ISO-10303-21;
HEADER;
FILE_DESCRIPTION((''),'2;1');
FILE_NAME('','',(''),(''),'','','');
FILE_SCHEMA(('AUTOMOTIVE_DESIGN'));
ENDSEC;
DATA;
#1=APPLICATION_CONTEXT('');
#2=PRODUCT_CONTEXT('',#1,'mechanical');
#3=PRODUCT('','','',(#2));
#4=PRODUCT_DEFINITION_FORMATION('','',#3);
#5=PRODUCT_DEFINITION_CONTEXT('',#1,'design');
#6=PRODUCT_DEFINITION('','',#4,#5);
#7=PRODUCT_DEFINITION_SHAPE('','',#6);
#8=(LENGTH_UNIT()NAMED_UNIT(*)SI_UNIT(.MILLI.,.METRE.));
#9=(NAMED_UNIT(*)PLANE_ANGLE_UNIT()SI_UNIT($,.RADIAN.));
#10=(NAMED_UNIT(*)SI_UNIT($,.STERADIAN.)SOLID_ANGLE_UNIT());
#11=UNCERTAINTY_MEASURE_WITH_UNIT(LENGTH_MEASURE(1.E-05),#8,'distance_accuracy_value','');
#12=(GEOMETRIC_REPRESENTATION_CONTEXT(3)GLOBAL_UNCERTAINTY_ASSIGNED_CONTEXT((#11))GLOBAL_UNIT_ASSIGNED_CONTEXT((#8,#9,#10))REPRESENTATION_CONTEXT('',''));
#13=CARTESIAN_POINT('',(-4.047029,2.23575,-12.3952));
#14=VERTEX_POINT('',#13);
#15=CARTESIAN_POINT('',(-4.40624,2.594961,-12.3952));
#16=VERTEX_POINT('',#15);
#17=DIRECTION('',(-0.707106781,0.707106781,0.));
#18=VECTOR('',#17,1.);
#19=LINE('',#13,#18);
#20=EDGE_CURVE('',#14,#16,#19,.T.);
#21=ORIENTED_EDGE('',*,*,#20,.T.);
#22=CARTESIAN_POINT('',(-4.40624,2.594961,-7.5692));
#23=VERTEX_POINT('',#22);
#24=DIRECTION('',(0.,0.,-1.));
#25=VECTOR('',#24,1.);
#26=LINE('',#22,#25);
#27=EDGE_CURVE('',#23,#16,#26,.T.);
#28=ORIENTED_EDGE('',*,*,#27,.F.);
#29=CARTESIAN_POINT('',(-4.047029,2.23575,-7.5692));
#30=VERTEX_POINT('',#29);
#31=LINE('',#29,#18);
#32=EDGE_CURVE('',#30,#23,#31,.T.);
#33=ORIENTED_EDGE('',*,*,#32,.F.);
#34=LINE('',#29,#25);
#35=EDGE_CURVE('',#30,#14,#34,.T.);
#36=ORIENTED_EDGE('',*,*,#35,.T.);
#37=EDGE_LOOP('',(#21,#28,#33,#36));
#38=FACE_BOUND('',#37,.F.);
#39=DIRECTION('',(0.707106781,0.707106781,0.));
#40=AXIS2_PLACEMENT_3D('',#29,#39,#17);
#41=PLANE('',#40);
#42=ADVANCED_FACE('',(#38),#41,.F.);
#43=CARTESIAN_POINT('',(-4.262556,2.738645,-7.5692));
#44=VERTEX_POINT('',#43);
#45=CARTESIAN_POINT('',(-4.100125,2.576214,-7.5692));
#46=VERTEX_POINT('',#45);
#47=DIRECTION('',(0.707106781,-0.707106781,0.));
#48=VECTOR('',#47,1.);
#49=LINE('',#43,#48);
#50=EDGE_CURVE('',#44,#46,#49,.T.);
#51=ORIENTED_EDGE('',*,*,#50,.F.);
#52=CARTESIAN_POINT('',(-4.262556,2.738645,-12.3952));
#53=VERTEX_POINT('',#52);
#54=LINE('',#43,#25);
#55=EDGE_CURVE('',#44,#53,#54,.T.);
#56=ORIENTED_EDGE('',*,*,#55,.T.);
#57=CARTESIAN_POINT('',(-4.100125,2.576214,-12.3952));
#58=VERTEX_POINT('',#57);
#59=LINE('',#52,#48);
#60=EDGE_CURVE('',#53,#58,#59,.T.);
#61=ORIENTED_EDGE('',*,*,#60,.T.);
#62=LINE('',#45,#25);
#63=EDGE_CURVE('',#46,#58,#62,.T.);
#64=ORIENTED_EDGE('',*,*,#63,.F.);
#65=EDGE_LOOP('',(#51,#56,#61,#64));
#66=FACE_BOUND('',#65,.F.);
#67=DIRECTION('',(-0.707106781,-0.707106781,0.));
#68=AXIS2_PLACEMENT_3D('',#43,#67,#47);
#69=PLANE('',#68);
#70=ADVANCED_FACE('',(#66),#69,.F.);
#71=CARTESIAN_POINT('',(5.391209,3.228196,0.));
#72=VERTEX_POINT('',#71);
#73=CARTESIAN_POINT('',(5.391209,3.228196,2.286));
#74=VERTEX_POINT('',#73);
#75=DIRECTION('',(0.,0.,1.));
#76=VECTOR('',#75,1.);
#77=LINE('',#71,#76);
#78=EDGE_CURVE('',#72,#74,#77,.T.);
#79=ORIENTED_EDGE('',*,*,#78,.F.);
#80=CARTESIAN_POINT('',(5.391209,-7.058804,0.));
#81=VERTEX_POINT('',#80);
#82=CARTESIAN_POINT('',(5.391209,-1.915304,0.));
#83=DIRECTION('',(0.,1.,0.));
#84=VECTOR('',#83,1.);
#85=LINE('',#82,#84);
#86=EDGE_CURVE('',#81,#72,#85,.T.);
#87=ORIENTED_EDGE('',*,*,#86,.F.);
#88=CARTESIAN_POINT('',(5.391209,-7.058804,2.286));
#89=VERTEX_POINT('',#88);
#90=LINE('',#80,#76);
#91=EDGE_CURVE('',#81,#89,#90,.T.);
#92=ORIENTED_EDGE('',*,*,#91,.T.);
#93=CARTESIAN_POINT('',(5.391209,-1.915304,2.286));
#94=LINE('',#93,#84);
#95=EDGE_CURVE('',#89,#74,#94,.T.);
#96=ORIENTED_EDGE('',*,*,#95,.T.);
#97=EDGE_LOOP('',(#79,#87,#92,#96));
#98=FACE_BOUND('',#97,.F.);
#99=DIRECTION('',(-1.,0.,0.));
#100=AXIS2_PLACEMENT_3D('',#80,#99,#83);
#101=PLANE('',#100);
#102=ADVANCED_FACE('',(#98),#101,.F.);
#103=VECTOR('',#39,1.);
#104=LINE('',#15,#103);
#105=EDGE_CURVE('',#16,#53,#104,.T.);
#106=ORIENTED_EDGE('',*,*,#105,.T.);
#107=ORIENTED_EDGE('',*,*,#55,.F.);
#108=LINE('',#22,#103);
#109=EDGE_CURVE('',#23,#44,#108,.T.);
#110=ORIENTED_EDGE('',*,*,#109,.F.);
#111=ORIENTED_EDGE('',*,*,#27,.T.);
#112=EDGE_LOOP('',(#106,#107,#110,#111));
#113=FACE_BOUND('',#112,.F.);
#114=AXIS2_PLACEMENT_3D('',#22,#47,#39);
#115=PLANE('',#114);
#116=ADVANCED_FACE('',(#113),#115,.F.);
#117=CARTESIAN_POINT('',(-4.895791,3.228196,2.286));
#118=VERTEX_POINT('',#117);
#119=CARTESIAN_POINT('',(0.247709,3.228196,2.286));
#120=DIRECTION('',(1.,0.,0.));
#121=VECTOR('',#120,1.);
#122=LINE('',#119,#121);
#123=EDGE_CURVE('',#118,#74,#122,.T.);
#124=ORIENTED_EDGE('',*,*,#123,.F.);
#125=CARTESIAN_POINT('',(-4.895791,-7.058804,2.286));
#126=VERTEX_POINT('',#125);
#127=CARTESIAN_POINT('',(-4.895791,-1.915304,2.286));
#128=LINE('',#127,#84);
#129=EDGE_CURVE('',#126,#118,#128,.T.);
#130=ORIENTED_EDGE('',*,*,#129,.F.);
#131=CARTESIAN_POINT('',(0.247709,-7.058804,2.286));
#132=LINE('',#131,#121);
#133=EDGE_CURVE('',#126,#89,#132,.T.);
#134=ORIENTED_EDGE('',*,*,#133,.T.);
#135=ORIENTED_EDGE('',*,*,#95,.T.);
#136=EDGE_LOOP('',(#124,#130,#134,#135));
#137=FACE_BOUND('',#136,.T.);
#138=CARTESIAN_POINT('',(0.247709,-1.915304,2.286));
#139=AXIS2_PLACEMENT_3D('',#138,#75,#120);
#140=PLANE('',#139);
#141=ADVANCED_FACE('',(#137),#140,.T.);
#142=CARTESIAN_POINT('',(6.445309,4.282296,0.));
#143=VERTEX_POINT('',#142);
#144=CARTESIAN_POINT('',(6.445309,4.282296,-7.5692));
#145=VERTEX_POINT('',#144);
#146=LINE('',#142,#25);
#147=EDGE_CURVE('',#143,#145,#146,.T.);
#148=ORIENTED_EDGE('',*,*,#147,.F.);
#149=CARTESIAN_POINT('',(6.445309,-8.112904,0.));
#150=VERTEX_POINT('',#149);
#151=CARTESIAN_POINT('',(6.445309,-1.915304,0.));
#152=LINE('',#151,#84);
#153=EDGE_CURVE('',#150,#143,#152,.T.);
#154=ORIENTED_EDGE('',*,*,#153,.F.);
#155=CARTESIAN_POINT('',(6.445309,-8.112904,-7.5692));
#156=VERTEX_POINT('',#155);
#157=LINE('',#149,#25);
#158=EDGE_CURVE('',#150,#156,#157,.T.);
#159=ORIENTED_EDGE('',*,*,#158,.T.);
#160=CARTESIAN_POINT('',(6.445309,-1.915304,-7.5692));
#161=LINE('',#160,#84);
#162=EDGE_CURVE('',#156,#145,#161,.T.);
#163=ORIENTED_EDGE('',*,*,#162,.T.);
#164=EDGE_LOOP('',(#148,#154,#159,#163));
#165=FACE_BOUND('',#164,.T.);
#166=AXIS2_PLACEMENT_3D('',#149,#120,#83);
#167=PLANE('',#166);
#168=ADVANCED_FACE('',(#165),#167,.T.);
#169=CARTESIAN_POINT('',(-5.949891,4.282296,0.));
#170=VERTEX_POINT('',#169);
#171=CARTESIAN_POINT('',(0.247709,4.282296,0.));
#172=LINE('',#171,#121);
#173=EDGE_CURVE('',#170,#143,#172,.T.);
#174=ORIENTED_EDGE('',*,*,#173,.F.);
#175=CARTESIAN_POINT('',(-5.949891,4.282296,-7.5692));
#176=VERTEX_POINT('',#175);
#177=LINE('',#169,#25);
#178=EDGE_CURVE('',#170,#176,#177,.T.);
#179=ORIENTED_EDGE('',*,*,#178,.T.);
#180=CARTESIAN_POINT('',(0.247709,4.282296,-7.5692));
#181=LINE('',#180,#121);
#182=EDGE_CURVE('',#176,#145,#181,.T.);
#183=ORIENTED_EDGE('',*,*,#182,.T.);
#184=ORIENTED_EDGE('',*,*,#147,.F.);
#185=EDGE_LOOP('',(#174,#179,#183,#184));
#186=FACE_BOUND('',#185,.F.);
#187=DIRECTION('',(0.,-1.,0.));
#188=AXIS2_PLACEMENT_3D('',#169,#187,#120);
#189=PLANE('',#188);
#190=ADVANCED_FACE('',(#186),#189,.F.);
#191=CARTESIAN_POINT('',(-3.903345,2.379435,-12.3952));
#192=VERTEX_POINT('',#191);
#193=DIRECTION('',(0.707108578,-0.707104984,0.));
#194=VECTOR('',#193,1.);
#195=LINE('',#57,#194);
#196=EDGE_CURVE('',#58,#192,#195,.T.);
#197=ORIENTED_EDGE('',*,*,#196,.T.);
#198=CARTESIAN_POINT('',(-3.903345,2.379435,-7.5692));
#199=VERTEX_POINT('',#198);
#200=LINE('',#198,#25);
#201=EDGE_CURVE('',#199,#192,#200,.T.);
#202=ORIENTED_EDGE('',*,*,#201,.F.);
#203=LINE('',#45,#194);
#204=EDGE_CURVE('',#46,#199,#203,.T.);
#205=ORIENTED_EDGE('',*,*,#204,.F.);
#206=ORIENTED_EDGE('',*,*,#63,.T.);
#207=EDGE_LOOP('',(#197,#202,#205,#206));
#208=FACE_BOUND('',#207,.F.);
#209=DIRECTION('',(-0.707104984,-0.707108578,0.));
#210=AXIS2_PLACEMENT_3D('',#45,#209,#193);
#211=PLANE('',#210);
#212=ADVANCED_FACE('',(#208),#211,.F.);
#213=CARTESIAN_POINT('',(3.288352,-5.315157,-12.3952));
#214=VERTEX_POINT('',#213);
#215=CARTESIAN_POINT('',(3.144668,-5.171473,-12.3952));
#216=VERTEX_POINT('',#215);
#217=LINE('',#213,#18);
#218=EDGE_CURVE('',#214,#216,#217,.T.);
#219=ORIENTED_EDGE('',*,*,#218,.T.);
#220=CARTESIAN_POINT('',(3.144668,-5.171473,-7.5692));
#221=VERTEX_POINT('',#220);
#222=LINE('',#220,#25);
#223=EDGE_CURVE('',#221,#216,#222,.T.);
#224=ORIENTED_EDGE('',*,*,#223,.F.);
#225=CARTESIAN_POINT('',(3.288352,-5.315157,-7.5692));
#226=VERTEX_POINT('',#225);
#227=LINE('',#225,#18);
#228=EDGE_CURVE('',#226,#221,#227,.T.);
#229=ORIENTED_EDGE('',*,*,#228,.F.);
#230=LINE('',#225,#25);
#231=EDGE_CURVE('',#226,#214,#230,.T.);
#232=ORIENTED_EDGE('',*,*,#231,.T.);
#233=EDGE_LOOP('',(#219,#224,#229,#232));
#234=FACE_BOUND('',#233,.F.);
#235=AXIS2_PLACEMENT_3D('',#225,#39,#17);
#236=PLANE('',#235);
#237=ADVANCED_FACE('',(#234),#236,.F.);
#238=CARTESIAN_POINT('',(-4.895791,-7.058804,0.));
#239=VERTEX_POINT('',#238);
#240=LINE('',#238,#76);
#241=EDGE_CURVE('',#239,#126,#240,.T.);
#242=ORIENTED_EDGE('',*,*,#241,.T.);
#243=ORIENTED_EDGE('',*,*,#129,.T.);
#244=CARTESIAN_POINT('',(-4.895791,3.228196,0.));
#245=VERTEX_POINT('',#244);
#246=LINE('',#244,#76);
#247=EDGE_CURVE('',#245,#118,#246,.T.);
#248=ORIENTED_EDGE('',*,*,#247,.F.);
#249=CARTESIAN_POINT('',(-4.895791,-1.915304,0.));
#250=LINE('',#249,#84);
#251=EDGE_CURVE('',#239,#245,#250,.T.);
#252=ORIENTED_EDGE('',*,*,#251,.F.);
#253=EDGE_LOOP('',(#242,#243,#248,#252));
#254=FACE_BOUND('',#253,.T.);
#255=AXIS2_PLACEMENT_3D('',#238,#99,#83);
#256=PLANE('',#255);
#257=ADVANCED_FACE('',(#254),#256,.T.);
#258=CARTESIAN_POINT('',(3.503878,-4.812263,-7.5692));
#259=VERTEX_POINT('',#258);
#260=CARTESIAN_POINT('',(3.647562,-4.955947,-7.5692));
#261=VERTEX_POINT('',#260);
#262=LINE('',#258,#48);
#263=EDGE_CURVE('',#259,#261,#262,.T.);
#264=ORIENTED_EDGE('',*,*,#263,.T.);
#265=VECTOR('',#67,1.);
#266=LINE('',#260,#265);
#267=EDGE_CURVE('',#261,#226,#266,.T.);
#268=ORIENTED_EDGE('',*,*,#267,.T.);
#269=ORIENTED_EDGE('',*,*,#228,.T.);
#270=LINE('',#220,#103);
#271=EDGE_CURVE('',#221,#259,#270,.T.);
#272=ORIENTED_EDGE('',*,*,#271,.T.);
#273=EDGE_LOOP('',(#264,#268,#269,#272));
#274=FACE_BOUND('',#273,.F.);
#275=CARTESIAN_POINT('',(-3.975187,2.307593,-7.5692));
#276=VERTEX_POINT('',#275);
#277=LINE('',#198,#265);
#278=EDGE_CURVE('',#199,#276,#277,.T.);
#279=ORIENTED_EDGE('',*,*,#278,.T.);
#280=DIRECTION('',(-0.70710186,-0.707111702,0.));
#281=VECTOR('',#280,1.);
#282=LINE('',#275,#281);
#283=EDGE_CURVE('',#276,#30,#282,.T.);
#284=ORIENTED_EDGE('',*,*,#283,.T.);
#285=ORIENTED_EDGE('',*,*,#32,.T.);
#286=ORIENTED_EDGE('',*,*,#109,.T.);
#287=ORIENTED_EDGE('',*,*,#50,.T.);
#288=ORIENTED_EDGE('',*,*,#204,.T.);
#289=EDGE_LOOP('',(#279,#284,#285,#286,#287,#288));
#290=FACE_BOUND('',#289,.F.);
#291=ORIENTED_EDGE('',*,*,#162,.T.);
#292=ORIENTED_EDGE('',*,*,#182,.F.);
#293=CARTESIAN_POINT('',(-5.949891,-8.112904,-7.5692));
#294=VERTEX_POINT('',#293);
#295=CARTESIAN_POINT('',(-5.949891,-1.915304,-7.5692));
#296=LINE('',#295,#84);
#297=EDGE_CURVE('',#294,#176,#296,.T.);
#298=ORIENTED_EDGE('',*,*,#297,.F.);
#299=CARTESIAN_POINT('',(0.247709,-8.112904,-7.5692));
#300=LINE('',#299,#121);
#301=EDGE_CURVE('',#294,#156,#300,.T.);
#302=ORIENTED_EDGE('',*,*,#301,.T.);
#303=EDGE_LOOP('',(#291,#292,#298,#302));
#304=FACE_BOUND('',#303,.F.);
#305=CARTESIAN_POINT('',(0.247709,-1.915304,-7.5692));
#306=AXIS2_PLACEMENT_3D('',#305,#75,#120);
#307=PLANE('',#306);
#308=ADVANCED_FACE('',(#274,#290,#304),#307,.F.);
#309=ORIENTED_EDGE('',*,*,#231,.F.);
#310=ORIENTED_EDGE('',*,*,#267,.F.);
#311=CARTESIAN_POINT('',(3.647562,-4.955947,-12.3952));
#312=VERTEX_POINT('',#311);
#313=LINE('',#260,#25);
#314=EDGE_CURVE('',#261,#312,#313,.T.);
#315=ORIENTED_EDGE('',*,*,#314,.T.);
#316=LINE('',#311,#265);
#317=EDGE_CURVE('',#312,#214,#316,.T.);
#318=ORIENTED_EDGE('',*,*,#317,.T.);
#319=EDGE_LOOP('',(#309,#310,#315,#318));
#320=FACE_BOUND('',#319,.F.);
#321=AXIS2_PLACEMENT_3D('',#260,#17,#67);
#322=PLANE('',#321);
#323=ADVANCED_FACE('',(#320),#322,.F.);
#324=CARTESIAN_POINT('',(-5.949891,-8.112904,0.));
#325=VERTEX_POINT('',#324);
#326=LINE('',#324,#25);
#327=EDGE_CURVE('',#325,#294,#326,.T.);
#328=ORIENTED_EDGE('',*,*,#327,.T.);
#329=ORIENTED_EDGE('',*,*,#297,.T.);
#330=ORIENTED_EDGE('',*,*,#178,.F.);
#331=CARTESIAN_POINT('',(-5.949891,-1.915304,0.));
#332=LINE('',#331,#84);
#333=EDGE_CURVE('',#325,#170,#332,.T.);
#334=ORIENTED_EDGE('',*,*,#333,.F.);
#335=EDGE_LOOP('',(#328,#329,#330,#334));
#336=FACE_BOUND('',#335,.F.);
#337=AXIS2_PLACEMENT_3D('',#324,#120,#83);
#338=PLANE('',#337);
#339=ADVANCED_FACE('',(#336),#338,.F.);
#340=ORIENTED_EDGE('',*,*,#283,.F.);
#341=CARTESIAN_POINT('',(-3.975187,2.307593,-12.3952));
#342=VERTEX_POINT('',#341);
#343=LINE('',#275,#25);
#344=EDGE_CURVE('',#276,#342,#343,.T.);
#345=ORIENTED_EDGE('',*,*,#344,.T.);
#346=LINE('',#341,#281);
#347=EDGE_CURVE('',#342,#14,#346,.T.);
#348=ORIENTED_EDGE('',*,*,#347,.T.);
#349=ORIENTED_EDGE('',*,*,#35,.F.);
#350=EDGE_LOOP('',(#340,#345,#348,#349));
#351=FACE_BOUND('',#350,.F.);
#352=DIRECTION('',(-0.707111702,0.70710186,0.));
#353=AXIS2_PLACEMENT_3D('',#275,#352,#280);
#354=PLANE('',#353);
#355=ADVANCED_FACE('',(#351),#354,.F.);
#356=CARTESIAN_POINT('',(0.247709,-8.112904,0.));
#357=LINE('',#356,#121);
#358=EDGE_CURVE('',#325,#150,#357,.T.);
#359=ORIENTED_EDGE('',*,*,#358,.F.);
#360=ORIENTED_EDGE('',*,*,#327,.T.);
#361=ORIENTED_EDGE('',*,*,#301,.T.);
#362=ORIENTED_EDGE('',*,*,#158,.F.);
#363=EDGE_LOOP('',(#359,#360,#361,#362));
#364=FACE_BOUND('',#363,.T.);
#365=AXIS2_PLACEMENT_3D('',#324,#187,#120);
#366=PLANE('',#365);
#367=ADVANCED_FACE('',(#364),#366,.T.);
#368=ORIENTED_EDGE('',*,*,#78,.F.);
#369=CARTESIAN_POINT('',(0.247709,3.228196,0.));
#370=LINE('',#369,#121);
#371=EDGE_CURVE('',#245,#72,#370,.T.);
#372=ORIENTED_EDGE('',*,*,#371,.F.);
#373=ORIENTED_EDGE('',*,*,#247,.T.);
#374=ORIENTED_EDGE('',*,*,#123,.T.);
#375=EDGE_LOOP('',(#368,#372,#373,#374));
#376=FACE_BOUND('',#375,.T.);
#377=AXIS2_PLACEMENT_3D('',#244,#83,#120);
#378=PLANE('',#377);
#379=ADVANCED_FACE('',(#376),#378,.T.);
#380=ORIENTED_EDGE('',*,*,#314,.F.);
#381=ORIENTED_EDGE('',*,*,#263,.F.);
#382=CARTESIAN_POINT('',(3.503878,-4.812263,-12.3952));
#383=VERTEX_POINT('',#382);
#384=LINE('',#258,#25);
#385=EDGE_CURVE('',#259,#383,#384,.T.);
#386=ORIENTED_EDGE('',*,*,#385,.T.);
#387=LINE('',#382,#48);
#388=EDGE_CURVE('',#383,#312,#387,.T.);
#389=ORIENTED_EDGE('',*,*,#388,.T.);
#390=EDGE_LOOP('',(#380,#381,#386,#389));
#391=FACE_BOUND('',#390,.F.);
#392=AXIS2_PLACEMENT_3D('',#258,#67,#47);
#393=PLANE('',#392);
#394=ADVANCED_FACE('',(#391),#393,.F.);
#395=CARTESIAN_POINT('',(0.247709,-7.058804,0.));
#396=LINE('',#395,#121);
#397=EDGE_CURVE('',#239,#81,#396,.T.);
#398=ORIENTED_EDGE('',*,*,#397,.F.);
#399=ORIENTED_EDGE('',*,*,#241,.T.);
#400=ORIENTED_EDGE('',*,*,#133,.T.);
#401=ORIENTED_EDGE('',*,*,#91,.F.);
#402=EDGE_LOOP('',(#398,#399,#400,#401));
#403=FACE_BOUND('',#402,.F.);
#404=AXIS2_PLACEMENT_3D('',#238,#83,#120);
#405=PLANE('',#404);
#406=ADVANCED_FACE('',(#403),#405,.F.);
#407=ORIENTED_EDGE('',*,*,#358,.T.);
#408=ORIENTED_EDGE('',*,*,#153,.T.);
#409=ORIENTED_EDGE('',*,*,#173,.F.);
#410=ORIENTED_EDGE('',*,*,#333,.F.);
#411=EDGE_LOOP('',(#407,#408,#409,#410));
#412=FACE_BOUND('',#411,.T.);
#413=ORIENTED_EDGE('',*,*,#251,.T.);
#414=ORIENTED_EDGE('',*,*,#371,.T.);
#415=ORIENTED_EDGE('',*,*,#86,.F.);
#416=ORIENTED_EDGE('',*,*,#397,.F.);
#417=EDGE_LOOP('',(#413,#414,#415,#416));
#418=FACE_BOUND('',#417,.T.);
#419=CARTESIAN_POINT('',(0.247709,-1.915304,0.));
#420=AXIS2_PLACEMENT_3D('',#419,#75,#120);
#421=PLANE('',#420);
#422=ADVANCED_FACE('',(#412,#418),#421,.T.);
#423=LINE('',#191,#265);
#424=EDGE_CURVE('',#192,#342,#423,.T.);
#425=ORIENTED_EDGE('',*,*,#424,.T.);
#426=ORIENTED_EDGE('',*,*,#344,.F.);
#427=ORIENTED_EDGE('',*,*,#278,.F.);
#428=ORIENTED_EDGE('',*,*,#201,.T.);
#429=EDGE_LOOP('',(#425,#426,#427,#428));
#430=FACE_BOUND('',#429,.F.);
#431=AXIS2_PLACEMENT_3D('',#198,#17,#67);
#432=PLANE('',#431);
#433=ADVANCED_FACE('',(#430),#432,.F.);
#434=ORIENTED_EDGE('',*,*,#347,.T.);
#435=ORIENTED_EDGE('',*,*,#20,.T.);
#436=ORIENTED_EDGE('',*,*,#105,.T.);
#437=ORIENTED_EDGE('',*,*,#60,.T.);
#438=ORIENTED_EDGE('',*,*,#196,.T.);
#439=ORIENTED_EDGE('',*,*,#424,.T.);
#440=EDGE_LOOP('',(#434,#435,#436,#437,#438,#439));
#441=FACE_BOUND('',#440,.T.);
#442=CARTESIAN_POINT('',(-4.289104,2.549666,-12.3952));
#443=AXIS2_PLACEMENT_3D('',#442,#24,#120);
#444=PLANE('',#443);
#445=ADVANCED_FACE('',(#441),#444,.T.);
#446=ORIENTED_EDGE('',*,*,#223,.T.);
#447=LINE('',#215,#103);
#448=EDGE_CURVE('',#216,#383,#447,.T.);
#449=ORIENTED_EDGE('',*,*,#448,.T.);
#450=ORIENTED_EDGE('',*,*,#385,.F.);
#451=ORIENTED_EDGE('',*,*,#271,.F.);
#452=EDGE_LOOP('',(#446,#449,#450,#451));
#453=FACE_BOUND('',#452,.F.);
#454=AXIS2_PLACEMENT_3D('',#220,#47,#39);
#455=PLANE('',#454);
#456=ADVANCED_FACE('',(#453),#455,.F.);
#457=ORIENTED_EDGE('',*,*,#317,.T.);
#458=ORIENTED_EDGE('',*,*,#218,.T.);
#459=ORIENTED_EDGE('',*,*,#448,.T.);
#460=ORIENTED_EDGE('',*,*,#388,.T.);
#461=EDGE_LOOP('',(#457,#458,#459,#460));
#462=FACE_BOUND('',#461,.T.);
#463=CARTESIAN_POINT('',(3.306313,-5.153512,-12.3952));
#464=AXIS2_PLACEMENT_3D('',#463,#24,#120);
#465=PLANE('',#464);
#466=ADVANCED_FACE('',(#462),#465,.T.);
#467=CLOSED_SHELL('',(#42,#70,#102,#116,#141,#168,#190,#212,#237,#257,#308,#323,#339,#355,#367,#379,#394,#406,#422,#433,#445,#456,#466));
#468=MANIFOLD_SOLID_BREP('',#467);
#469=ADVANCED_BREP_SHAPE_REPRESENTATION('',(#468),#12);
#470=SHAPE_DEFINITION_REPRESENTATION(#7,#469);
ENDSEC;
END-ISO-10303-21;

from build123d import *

# Parameters (mm, degrees)
F0_W     = 12.3952
F0_H     = 12.3952
F0_W_2   = 10.287
F0_H_2   = 10.287
F1_DEPTH = 7.5692
F2_DEPTH = 2.286
F4_DEPTH = 4.826


with BuildPart() as f1:
    # F0 (on Top) → F1 (new body)
    with BuildSketch(Plane.XY):
        with Locations((0.247709, -1.915304)):
            Rectangle(F0_W, F0_H)
        with Locations((0.247709, -1.915304)):
            Rectangle(F0_W_2, F0_H_2, mode=Mode.SUBTRACT)
        with Locations((0.247709, -1.915304)):
            Rectangle(F0_W_2, F0_H_2)
    extrude(amount=-F1_DEPTH)

    # F0 (on Top) → F2 (join)
    with BuildSketch(Plane.XY):
        with Locations((0.247709, -1.915304)):
            Rectangle(F0_W_2, F0_H_2)
    extrude(amount=F2_DEPTH)

    # F3 (on face) → F4 (join)
    with BuildSketch(Plane(origin=(0, 0, -7.5692), x_dir=(1, 0, 0), z_dir=(0, 0, -1))):
        Polygon((-4.40624, -2.594961), (-4.334398, -2.666803), (-4.171967, -2.504372), (-4.243809, -2.43253), align=None)
        Polygon((-4.171967, -2.504372), (-4.334398, -2.666803), (-4.262556, -2.738645), (-4.100125, -2.576214), align=None)
        Polygon((-4.171967, -2.504372), (-4.100125, -2.576214), (-3.903345, -2.379435), (-3.975187, -2.307593), align=None)
        Polygon((-4.047029, -2.23575), (-4.243809, -2.43253), (-4.171967, -2.504372), (-3.975187, -2.307593), align=None)
        Polygon((3.467957, 5.135552), (3.288352, 5.315157), (3.144668, 5.171473), (3.324273, 4.991868), align=None)
        Polygon((3.503878, 4.812263), (3.647562, 4.955947), (3.467957, 5.135552), (3.324273, 4.991868), align=None)
    extrude(amount=F4_DEPTH)


solid = f1.part
